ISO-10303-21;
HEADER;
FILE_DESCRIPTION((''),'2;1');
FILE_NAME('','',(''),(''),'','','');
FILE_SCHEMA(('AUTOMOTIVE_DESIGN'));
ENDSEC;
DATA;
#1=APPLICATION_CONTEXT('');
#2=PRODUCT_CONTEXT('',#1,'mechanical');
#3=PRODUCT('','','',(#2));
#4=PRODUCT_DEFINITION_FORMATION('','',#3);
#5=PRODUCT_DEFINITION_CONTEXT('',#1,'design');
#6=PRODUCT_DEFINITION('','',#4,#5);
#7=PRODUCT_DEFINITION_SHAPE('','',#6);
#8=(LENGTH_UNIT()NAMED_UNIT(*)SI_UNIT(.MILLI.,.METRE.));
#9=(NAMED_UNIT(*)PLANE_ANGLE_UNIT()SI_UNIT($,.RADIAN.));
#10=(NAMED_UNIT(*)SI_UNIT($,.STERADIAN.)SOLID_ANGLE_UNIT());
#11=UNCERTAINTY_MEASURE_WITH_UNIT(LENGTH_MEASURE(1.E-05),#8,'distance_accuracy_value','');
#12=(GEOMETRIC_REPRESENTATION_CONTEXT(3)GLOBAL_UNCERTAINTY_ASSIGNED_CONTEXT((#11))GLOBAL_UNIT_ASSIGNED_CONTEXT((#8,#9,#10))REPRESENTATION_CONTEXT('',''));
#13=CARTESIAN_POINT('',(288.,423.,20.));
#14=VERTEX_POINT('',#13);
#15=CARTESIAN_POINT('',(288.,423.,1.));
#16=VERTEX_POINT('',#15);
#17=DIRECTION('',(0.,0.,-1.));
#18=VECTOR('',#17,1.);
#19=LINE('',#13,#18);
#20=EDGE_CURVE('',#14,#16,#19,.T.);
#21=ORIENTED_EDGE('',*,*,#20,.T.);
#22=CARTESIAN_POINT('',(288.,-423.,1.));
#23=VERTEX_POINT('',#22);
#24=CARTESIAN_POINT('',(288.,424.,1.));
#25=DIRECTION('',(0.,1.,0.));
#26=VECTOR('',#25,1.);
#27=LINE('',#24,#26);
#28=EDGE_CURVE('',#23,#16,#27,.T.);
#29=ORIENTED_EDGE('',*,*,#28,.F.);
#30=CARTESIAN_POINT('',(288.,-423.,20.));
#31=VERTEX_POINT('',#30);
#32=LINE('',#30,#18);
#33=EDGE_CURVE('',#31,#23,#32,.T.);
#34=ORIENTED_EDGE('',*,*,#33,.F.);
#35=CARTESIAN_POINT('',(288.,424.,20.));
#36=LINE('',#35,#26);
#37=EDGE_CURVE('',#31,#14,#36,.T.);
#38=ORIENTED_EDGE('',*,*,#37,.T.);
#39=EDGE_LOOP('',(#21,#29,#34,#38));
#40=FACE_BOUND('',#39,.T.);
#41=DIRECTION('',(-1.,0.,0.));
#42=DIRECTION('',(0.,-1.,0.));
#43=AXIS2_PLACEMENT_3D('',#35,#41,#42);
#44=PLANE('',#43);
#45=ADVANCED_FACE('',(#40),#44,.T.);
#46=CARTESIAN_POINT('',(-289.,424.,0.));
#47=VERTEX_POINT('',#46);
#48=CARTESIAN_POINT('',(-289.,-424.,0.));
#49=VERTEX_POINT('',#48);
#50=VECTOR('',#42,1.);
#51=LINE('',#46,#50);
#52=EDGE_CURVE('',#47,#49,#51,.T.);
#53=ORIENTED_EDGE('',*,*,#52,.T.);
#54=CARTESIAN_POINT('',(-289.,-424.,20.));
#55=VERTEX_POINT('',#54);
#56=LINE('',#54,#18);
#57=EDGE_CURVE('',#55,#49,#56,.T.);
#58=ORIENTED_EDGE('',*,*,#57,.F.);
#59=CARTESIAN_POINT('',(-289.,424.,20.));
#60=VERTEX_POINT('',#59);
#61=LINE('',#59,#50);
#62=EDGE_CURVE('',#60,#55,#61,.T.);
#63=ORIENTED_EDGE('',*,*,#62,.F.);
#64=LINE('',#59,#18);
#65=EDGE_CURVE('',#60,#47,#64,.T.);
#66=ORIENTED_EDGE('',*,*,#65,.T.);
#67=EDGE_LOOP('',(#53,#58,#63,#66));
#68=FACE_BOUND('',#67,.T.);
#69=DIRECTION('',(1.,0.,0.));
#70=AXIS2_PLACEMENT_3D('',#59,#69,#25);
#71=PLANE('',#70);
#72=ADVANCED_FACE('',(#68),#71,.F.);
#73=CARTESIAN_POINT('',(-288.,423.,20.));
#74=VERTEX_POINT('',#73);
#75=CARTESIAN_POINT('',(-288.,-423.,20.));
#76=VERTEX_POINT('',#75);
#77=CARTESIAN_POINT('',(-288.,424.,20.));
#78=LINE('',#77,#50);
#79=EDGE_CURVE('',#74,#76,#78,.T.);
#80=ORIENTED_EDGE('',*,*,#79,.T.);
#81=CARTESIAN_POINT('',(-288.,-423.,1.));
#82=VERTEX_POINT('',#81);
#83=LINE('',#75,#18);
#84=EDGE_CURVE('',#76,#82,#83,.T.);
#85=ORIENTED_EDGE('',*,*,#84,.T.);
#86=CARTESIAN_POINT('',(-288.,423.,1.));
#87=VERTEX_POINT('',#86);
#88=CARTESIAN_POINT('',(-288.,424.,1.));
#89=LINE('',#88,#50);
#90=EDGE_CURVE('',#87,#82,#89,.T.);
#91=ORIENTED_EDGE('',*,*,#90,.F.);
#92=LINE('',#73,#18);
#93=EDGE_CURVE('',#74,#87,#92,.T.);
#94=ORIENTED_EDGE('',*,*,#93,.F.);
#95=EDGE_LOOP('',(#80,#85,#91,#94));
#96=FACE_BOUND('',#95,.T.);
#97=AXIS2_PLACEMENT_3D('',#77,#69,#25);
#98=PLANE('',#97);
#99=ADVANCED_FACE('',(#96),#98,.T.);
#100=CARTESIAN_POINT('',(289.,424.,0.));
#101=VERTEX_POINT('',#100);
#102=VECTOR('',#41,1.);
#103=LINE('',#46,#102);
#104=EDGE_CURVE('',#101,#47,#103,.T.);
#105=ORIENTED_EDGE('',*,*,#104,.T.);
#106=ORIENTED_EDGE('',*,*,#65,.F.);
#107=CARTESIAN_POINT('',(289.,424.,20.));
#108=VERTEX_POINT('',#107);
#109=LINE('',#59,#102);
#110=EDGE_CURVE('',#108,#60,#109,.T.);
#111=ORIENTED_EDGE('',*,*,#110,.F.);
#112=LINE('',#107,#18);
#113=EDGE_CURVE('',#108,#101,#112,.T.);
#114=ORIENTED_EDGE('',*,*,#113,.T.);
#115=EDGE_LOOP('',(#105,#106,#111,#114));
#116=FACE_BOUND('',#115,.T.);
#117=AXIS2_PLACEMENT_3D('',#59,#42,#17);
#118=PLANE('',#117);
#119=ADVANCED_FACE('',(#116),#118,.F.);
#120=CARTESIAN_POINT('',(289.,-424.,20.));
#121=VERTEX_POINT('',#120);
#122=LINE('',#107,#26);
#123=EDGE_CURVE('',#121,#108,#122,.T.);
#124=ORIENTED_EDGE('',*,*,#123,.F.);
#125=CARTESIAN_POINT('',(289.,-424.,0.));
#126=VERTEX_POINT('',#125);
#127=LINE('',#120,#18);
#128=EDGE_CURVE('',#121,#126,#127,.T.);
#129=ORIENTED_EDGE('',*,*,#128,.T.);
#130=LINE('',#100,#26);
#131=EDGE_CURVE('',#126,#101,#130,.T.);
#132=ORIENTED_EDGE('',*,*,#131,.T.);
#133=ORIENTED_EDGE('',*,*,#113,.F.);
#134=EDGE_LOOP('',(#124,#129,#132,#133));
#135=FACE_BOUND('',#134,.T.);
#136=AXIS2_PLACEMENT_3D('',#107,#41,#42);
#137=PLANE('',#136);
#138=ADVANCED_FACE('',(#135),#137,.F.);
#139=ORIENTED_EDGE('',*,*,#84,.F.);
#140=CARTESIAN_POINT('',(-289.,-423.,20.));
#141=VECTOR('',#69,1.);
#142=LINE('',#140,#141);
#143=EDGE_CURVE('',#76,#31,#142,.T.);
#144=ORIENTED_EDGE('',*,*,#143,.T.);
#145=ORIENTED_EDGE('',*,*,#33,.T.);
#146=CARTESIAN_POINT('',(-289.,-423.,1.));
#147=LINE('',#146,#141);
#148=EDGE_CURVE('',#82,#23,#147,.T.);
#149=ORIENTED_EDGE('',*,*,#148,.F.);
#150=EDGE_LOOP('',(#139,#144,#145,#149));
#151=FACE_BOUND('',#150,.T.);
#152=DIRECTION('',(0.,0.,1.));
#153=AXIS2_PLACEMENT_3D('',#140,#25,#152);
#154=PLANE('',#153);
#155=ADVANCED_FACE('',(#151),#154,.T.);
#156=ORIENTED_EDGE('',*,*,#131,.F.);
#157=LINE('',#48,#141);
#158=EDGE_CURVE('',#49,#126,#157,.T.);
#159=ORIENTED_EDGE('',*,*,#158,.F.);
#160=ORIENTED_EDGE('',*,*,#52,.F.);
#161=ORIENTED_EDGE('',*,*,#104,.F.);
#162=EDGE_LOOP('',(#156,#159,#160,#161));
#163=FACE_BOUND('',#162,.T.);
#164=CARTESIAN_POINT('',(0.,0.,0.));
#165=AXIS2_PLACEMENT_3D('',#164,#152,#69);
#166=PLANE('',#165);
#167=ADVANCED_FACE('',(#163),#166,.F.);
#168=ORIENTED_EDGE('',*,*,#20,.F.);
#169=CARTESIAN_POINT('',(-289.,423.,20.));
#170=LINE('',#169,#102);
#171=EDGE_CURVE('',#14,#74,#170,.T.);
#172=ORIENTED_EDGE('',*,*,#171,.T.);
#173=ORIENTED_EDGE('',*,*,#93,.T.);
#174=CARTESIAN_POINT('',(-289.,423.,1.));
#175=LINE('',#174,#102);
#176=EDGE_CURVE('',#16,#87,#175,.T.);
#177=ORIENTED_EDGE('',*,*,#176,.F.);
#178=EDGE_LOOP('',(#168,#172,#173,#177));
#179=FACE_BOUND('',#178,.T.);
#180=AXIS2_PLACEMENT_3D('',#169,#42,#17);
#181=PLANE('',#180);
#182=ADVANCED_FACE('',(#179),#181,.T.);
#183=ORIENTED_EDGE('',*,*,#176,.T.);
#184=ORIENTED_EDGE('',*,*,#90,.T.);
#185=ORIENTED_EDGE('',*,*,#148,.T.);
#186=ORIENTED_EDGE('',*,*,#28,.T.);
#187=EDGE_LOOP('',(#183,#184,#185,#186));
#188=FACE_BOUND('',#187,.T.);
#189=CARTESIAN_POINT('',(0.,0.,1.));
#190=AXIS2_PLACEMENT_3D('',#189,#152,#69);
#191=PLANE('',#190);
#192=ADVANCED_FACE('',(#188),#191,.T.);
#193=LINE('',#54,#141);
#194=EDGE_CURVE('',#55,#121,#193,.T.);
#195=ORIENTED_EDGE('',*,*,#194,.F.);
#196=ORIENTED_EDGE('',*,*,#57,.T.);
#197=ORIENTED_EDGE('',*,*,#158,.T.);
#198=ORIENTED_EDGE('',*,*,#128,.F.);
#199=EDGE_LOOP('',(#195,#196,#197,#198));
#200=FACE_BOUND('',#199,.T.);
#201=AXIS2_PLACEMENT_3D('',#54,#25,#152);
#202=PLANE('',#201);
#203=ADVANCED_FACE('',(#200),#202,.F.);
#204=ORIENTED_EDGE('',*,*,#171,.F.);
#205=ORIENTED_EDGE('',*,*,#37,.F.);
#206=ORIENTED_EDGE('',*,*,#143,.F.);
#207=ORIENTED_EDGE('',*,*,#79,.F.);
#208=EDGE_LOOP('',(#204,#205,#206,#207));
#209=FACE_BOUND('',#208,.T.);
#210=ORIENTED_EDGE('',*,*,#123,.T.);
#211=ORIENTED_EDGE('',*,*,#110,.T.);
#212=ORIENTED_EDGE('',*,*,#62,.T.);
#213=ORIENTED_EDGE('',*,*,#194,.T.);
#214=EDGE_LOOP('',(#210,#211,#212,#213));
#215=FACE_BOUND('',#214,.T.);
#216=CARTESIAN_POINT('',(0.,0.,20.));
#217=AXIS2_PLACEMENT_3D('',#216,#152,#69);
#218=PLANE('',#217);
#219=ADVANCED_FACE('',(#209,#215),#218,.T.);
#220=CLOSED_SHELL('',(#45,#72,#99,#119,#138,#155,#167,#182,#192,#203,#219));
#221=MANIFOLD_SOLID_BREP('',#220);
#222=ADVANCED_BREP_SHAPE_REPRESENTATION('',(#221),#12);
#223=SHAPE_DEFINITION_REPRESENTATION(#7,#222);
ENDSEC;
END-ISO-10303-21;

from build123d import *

# Parameters (mm, degrees)
SKETCH_1_W      = 578
SKETCH_1_H      = 848
EXTRUDE_1_DEPTH = 20
SHELL_1_T       = -1


with BuildPart() as part:
    # 草图1 → 凸台-拉伸1 (new body)
    with BuildSketch(Plane.XY):
        Rectangle(SKETCH_1_W, SKETCH_1_H)
    extrude(amount=EXTRUDE_1_DEPTH)

    # 抽壳1
    shell_1_openings = [part.faces().sort_by_distance(p)[0] for p in [
        (0, 0, 20),
    ]]
    offset(amount=SHELL_1_T, openings=shell_1_openings, kind=Kind.INTERSECTION)


solid = part.part
